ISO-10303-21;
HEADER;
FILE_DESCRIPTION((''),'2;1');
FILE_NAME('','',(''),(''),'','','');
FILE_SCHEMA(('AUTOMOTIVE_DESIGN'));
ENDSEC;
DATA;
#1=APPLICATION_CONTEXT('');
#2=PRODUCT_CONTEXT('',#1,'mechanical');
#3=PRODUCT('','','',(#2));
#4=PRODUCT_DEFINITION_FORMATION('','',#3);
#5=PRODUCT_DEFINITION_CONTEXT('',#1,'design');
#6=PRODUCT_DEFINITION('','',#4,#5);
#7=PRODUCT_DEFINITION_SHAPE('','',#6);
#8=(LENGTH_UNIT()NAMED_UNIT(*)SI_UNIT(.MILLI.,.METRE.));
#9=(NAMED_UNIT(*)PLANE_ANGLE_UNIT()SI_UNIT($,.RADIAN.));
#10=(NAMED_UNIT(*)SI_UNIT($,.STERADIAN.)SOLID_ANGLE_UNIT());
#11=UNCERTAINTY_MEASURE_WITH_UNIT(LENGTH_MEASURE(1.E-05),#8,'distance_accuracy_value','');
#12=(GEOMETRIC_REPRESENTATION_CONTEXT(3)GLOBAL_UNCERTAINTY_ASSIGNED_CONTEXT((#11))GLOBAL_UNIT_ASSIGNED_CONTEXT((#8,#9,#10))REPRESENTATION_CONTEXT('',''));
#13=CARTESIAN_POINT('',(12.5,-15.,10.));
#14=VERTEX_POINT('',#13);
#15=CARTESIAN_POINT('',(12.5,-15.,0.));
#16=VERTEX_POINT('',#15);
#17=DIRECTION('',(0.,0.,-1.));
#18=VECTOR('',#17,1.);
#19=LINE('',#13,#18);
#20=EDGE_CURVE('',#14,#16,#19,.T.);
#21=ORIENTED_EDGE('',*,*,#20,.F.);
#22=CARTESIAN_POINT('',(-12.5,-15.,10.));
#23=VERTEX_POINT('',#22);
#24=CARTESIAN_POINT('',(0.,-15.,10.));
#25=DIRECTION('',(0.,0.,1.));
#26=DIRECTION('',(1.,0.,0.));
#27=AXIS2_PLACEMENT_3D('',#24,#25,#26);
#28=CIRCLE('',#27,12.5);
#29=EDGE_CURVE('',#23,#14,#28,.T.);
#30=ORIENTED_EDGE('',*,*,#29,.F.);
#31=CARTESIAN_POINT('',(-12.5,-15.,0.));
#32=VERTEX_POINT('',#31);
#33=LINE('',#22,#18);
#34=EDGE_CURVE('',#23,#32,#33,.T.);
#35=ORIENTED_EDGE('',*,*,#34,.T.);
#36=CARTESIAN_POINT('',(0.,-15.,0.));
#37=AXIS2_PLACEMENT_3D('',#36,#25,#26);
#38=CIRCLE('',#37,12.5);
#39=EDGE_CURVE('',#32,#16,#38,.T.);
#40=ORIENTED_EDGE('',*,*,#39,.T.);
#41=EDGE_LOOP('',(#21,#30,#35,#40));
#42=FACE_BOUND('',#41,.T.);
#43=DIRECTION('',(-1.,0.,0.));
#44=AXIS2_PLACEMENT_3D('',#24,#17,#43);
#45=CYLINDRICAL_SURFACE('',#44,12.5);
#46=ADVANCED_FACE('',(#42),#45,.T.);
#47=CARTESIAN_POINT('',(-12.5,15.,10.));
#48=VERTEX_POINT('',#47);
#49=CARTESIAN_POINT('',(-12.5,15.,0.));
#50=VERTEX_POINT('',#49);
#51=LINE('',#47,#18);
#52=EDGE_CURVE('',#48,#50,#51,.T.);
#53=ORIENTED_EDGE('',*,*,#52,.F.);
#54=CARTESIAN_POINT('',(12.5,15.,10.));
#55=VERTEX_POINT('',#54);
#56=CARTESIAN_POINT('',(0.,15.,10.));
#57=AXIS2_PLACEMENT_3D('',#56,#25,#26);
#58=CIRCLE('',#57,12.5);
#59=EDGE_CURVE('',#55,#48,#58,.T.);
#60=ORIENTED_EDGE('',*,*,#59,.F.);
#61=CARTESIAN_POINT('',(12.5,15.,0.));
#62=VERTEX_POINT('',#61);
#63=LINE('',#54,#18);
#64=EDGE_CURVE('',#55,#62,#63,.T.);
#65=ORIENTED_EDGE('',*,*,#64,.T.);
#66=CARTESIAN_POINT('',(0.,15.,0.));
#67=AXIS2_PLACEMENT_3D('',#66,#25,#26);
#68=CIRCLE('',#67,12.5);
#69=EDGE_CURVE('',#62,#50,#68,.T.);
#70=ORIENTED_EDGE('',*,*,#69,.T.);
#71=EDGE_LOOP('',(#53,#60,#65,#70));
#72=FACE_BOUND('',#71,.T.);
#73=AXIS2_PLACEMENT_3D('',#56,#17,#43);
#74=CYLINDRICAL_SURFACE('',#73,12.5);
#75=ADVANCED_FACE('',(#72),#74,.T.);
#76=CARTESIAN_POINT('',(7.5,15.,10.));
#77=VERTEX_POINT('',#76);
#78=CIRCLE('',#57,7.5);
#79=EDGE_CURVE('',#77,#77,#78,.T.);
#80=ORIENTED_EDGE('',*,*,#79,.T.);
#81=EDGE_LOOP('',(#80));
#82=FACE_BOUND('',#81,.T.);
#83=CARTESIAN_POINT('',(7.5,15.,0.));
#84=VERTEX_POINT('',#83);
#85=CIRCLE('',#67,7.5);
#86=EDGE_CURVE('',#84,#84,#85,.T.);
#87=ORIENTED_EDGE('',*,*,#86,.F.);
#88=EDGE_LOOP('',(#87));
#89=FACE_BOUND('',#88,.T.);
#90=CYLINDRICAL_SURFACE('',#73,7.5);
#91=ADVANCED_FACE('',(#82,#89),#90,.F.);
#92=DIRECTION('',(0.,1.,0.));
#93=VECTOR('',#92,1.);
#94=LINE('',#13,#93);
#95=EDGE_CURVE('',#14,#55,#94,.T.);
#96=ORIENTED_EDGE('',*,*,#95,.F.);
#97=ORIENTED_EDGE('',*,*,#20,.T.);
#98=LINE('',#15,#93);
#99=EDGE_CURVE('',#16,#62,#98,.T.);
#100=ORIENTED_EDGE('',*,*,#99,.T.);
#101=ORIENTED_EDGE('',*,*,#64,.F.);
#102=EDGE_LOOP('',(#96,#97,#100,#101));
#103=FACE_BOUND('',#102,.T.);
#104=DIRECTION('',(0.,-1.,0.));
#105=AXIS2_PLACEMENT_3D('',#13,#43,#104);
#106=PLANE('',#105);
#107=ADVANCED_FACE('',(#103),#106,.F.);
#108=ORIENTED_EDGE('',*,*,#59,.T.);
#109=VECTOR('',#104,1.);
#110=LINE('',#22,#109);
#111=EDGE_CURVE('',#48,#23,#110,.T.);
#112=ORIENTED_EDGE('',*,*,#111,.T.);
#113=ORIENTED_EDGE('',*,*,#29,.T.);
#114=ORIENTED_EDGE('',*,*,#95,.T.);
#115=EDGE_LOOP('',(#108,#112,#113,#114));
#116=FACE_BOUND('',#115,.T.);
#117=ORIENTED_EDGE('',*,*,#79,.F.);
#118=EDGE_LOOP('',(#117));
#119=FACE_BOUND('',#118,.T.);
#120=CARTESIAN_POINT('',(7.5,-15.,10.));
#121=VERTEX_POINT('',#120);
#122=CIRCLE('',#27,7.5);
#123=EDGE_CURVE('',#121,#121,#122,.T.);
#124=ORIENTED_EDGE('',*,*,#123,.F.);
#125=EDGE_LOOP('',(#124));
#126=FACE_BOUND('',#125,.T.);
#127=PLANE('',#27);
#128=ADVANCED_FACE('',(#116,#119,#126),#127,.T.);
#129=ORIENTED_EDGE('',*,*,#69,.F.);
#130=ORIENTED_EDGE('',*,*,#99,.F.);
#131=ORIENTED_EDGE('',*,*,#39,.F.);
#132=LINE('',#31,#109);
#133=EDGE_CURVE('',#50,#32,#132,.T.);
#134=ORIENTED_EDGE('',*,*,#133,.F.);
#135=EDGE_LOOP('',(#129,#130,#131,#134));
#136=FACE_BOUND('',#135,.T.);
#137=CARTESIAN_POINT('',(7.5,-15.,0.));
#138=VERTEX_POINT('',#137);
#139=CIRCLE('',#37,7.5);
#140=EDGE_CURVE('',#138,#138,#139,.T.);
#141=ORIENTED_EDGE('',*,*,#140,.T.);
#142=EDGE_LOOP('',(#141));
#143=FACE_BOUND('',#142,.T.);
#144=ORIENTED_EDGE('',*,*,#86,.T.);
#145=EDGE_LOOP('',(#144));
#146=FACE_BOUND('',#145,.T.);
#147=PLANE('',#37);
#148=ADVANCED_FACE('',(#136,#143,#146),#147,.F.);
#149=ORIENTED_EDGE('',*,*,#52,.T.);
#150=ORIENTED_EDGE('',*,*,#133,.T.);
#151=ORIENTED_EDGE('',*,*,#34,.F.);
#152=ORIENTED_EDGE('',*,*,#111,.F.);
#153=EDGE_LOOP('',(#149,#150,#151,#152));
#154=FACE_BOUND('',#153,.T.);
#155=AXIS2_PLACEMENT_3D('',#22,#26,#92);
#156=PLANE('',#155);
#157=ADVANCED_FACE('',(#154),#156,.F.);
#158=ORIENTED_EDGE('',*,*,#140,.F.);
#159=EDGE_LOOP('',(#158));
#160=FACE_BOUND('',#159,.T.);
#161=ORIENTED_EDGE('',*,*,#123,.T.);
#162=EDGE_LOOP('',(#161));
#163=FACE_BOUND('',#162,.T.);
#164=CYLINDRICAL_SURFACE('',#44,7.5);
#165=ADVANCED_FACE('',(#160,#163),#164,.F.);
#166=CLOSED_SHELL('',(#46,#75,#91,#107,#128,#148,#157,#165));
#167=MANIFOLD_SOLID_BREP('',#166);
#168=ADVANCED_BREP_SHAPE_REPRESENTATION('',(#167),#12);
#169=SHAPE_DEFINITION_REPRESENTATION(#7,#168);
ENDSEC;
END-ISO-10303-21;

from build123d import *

# Parameters (mm, degrees)
SKETCH1_R           = 7.5
BOSS_EXTRUDE1_DEPTH = 10


with BuildPart() as part:
    # Sketch1 → Boss-Extrude1 (new body)
    with BuildSketch(Plane.XY):
        with BuildLine():
            Line((-12.5, -15), (-12.5, 15))
            ThreePointArc((-12.5, 15), (0, 27.5), (12.5, 15))
            Line((12.5, 15), (12.5, -15))
            ThreePointArc((12.5, -15), (0, -27.5), (-12.5, -15))
        make_face()
        with Locations((0, 15)):
            Circle(SKETCH1_R, mode=Mode.SUBTRACT)
        with Locations((0, -15)):
            Circle(SKETCH1_R, mode=Mode.SUBTRACT)
    extrude(amount=BOSS_EXTRUDE1_DEPTH)


solid = part.part
